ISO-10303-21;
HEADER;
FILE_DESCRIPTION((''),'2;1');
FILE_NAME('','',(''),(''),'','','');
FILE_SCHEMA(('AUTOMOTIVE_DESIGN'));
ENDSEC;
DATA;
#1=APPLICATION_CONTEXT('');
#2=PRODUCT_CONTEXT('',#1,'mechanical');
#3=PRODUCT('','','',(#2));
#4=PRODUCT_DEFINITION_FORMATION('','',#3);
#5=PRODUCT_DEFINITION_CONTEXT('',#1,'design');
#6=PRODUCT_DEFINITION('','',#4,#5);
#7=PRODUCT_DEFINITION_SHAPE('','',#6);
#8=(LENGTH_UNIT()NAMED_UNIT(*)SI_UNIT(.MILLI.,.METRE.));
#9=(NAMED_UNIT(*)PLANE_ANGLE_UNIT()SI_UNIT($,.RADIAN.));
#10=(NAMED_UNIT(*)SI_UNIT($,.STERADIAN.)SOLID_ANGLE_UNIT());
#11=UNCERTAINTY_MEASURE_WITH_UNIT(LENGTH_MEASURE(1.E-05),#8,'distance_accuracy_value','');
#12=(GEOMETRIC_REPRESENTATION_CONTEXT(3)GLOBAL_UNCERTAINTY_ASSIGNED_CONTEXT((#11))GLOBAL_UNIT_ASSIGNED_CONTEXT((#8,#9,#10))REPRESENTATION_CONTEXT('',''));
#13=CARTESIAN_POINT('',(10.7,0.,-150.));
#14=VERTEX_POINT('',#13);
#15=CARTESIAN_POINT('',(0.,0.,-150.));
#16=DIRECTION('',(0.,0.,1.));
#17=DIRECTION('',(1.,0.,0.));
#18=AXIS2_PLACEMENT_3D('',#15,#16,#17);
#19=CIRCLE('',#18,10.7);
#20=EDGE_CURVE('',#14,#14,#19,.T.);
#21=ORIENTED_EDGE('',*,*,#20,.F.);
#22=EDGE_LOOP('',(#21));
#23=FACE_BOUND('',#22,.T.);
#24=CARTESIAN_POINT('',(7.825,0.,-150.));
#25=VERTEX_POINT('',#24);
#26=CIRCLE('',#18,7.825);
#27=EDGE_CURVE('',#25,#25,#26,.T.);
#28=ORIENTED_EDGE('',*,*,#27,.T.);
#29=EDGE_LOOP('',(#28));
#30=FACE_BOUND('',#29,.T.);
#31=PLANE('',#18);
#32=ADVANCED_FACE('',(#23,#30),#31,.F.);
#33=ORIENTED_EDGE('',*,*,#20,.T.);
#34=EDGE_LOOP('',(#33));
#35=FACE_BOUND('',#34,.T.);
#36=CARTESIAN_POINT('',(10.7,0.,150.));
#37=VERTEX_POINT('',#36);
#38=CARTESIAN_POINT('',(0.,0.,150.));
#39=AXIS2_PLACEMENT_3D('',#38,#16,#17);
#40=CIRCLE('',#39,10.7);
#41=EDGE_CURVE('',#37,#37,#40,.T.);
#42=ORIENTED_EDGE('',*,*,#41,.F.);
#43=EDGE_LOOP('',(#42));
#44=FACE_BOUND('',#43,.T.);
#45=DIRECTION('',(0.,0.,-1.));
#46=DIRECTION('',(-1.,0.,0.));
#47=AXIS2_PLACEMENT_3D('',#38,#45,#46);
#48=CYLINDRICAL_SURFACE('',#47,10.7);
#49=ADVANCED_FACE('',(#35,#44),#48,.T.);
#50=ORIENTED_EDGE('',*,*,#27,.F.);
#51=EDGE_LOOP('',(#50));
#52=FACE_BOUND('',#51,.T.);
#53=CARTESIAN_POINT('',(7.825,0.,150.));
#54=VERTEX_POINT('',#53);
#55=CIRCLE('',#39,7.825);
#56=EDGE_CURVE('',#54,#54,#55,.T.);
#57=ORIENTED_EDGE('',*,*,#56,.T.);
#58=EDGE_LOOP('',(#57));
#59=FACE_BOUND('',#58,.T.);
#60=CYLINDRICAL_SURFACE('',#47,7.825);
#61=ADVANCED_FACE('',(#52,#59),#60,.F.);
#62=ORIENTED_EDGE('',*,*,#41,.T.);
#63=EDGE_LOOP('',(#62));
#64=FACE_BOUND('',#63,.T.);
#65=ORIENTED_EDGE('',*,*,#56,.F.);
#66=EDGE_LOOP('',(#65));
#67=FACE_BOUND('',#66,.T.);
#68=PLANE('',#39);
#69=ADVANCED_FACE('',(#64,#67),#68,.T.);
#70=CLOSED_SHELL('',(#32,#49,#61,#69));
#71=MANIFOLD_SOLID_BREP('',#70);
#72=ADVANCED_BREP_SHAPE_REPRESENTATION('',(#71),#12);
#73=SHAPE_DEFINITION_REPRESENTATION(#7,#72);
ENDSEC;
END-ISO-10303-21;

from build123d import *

# Parameters (mm, degrees)
CROQUIS1_R              = 10.7
CROQUIS1_R_2            = 7.825
SALIENTE_EXTRUIR1_DEPTH = 150


with BuildPart() as part:
    # Croquis1 → Saliente-Extruir1 (new body, symmetric)
    with BuildSketch(Plane.XY):
        Circle(CROQUIS1_R)
        Circle(CROQUIS1_R_2, mode=Mode.SUBTRACT)
    extrude(amount=SALIENTE_EXTRUIR1_DEPTH, both=True)


solid = part.part
